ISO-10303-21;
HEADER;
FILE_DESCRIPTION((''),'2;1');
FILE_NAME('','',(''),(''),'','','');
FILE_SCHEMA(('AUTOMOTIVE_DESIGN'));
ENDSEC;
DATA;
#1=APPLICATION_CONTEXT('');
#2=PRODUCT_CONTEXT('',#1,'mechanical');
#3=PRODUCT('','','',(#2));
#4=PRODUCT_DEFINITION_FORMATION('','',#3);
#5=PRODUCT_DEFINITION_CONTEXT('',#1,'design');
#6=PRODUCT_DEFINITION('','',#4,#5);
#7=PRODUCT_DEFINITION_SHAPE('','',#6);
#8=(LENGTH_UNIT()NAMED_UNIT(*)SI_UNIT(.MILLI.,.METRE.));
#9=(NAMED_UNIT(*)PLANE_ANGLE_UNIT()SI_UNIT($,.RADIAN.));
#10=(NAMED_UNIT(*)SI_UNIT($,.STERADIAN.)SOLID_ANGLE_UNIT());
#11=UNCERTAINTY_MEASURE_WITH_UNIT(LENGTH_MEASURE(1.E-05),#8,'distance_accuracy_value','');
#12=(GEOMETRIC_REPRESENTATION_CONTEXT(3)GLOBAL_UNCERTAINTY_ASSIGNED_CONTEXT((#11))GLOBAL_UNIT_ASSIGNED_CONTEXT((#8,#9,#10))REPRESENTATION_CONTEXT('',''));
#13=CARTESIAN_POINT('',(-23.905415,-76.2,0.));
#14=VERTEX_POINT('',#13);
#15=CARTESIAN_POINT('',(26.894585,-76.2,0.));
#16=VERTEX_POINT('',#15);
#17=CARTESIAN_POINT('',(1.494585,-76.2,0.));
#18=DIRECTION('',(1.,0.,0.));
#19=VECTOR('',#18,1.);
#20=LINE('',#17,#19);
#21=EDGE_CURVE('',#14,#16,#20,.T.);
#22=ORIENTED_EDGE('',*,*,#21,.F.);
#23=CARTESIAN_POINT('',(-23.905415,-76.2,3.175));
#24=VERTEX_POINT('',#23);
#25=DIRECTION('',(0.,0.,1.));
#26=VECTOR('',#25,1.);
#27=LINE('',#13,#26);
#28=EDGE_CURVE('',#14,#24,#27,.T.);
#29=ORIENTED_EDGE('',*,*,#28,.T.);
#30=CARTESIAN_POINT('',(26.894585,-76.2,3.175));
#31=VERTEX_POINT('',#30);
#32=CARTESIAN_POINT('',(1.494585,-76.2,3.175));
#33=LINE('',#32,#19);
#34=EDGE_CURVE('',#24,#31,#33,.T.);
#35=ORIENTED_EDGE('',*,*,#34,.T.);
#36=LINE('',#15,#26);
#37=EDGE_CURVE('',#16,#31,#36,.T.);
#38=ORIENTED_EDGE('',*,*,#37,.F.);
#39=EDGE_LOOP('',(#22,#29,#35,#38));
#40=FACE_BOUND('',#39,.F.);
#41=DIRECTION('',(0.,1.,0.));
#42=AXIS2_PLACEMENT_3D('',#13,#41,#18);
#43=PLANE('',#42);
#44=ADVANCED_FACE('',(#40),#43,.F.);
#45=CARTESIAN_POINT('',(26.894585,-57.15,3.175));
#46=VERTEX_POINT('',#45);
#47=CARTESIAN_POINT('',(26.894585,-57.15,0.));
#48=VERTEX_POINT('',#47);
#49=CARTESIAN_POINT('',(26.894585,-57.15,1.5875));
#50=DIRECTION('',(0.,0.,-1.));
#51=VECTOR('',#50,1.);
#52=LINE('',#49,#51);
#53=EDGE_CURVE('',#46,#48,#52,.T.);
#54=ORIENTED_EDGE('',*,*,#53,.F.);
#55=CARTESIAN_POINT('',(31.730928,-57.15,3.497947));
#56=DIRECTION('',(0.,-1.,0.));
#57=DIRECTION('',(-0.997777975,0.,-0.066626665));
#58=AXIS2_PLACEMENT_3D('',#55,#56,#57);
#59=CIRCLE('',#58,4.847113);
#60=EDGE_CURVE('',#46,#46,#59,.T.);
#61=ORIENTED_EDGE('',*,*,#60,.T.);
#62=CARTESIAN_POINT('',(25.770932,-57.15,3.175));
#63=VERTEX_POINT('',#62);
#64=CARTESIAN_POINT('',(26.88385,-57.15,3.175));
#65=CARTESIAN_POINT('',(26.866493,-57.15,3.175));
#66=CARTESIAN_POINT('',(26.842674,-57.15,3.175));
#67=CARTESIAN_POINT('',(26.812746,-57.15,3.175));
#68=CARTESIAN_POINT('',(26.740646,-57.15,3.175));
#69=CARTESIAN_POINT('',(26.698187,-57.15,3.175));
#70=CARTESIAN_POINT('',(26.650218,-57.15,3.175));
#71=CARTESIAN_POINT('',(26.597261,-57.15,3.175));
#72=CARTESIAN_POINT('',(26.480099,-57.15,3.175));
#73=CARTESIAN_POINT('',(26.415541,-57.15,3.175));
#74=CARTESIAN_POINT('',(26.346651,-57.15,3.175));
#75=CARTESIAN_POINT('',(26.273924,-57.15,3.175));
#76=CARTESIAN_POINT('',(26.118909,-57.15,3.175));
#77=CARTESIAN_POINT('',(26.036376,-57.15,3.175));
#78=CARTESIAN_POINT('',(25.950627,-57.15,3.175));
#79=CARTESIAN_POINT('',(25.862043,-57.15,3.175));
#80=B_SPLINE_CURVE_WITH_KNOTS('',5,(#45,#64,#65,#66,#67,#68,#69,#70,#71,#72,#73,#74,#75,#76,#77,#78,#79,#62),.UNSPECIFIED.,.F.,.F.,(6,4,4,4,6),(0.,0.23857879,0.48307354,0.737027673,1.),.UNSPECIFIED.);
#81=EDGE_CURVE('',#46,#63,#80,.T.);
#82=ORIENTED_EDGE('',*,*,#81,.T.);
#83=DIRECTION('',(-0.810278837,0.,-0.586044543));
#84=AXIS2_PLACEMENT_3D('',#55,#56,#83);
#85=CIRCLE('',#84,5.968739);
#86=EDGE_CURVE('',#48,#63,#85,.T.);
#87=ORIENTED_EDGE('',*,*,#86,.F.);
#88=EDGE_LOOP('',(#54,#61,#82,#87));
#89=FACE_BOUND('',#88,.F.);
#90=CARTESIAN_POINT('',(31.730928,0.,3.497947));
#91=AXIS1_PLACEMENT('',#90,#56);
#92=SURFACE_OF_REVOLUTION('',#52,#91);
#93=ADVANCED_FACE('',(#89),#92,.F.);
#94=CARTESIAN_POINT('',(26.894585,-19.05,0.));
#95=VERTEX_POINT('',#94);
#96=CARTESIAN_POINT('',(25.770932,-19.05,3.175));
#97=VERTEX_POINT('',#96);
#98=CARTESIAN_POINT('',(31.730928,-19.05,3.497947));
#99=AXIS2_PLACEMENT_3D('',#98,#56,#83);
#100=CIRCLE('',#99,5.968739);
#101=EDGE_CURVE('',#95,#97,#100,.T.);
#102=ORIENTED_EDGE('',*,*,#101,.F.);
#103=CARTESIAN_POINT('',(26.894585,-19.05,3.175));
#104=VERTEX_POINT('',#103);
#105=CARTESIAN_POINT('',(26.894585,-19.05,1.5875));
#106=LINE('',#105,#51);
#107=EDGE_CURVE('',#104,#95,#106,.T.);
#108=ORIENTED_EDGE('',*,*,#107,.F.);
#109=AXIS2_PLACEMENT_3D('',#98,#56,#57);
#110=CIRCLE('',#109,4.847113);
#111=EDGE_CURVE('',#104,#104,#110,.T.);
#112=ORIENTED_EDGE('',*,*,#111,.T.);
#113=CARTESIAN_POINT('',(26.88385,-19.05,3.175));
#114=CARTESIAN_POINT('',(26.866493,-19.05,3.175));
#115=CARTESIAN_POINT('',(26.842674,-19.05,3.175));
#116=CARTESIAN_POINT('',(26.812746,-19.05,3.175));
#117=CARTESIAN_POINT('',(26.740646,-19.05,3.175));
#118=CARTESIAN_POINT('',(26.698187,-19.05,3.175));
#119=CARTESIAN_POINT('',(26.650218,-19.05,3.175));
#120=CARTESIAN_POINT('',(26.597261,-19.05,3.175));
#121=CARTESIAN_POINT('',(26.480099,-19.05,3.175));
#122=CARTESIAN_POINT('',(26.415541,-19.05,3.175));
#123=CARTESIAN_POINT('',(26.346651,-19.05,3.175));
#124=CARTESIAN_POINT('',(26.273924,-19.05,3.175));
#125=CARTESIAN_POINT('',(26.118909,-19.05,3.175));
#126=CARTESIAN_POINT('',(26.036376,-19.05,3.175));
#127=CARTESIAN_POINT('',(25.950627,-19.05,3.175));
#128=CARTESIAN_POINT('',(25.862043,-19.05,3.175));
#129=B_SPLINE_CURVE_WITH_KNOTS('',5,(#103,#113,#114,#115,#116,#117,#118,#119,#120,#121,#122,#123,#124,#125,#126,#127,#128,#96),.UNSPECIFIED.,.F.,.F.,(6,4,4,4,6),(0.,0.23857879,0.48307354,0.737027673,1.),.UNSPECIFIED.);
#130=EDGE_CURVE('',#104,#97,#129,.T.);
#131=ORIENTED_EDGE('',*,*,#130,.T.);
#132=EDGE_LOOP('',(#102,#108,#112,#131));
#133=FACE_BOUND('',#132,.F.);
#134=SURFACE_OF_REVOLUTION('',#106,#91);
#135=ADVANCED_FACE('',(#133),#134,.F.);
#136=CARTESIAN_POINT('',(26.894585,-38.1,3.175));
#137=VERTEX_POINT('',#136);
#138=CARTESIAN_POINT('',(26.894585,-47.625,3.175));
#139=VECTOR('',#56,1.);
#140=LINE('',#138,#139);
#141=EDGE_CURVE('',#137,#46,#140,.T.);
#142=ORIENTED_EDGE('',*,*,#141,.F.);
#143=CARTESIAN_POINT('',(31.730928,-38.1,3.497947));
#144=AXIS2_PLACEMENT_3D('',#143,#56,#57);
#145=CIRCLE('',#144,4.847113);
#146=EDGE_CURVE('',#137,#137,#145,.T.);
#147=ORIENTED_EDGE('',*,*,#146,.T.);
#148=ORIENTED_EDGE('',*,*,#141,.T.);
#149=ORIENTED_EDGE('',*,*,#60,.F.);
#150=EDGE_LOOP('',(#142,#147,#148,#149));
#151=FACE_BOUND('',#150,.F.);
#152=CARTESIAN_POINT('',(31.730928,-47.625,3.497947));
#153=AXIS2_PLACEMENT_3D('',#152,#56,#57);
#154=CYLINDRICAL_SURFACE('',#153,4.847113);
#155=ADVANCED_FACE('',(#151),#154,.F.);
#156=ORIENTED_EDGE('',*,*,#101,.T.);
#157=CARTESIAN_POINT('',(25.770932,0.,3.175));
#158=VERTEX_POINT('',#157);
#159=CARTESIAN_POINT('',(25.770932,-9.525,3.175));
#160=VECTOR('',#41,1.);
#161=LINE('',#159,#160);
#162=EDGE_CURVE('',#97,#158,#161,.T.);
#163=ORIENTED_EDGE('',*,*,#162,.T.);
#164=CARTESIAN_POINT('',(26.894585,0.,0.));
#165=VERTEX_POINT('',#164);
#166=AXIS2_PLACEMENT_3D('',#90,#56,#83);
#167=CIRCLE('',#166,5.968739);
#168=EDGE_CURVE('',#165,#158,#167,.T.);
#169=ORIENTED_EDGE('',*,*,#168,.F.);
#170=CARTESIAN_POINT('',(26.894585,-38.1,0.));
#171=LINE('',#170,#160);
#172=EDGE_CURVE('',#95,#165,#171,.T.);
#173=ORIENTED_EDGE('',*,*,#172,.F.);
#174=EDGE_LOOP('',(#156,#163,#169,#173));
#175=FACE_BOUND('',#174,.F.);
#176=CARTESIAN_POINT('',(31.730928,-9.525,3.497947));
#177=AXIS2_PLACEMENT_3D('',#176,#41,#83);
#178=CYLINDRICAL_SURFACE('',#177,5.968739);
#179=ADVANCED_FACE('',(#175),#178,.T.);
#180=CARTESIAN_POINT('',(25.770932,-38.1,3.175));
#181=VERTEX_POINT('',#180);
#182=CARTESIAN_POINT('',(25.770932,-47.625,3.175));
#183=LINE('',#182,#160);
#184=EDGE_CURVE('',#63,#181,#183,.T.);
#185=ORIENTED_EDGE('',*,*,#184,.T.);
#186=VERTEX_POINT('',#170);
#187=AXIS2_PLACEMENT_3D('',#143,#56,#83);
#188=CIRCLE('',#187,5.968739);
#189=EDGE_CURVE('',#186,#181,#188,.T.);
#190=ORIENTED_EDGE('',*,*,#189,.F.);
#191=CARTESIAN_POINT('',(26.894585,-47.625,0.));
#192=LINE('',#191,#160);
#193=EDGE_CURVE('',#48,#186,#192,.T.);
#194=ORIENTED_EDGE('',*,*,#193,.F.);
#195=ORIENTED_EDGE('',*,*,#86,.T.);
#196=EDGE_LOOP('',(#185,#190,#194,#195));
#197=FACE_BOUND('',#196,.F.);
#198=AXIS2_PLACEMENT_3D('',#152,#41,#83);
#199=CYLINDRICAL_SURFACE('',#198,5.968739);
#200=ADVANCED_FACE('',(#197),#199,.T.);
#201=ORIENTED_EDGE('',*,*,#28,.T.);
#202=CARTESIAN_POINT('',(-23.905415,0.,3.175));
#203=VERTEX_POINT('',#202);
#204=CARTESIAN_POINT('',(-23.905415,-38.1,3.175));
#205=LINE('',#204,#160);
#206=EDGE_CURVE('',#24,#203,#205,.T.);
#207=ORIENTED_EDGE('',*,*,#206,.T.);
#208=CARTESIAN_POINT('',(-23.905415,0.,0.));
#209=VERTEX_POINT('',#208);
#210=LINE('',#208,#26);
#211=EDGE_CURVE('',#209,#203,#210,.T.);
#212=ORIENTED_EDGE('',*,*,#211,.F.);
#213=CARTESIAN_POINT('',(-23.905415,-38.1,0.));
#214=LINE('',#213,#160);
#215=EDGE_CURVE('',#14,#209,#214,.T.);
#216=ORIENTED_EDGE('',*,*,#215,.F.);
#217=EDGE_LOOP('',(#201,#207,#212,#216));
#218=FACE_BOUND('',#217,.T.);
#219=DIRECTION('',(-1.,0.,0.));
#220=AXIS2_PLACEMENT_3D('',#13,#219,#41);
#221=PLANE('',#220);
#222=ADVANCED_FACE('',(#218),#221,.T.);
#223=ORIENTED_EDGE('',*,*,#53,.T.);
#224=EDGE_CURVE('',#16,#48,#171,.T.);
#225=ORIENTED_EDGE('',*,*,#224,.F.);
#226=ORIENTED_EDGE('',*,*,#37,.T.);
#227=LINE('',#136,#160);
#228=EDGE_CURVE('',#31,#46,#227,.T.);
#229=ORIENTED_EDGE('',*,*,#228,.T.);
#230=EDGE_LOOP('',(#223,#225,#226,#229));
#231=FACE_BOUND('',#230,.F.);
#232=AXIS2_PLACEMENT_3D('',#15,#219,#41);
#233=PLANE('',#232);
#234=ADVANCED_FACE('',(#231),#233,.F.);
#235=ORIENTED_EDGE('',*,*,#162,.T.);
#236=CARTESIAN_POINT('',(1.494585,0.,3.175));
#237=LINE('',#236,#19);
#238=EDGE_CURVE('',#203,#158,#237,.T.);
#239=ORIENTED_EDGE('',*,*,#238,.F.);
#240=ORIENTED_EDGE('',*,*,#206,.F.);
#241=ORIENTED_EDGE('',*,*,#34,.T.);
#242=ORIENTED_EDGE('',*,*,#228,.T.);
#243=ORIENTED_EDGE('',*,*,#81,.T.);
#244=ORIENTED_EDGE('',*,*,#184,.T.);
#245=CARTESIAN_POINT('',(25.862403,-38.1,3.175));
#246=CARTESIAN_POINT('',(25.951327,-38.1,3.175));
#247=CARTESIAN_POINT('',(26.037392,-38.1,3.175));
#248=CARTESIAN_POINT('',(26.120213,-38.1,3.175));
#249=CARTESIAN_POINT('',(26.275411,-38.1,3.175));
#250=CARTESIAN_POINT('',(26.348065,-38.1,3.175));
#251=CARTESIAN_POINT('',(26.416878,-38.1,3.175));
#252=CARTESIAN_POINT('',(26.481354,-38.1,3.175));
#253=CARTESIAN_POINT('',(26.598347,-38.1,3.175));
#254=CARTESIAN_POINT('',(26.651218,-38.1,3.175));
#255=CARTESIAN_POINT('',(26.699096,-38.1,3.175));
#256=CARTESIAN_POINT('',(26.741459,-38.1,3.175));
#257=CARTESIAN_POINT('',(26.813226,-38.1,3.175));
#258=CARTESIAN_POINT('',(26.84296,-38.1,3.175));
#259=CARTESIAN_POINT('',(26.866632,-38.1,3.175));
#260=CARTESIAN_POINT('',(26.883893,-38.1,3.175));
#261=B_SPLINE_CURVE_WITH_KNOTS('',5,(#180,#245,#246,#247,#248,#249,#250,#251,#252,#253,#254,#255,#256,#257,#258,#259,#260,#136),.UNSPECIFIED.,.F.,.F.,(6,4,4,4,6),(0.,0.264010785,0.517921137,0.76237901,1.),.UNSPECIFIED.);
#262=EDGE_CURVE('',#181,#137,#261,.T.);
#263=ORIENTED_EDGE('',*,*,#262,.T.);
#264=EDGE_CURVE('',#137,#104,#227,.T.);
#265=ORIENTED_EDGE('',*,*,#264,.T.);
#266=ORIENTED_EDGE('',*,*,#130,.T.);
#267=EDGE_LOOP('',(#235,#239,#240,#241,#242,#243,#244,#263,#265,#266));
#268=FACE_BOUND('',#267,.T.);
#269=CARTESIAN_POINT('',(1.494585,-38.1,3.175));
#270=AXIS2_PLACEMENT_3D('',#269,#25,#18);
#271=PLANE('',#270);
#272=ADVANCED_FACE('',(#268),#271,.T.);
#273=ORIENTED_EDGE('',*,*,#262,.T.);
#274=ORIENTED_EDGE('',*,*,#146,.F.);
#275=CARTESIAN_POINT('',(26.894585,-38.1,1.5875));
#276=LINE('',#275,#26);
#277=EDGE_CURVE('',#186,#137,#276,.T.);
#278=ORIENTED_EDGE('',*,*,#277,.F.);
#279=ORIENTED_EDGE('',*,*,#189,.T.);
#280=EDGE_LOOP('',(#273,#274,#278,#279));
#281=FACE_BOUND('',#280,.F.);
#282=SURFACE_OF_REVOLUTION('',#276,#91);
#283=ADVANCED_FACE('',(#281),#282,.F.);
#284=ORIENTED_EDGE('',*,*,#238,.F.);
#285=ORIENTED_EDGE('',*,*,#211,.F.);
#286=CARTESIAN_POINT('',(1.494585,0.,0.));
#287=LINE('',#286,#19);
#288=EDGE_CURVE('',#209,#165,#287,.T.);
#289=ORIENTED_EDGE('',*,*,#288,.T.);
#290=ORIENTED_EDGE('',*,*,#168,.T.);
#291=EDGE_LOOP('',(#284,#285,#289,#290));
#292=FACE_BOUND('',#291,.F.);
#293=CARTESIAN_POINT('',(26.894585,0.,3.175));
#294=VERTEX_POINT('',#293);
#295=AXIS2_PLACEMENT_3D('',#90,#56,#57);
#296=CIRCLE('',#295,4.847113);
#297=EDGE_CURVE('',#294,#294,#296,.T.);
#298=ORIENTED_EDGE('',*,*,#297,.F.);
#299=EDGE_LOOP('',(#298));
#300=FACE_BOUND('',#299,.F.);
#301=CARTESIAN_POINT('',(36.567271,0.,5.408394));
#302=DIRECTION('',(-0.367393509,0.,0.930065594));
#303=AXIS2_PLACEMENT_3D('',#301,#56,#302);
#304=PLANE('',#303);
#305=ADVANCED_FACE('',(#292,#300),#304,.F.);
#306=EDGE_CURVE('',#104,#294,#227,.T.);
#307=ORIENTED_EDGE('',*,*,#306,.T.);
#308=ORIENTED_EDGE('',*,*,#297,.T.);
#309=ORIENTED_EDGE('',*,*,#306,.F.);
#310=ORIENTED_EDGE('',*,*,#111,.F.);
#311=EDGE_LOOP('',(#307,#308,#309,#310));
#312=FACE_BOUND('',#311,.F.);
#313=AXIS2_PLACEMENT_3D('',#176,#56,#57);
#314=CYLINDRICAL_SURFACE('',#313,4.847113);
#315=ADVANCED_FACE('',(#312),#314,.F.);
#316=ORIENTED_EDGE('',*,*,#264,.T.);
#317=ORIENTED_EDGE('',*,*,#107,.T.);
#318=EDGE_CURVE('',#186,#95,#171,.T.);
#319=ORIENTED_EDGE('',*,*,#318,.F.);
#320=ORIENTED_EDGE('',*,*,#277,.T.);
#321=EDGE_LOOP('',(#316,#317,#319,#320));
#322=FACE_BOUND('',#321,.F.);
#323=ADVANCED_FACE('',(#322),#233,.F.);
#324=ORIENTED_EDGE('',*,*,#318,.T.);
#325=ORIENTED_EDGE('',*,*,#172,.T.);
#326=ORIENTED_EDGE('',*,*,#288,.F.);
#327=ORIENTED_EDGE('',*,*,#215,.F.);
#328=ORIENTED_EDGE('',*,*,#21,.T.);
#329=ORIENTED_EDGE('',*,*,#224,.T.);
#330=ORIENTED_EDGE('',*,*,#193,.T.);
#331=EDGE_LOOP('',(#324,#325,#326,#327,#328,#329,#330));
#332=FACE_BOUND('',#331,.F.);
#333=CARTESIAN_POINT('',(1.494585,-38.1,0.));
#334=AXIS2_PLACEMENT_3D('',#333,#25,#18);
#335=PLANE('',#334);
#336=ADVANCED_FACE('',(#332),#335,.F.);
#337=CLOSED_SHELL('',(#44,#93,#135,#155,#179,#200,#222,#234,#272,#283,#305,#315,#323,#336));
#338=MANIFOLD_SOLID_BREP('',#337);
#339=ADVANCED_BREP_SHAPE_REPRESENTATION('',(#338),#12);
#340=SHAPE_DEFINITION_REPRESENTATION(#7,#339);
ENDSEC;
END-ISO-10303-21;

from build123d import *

# Parameters (mm, degrees)
F0_W     = 50.8
F0_H     = 76.2
F1_DEPTH = 3.175
F3_W     = 19.05
F3_H     = 3.175


with BuildPart() as f1:
    # F0 (on Top) → F1 (new body)
    with BuildSketch(Plane.XY):
        with Locations((1.494585, -38.1)):
            Rectangle(F0_W, F0_H)
    extrude(amount=F1_DEPTH)

    # F4: sweep along a path in F2
    with BuildLine(Plane.XZ) as f4_path:
        CenterArc((31.730928, 3.497947), 4.7625, 0, 360)
    # F3 (on face) → F4 (sweep)
    with BuildSketch(Plane.YZ.offset(26.894585)):
        with Locations((-9.525, 1.5875)):
            Rectangle(F3_W, F3_H)
        with Locations((-47.625, 1.5875)):
            Rectangle(F3_W, F3_H)
    sweep(path=f4_path.line)


solid = f1.part
